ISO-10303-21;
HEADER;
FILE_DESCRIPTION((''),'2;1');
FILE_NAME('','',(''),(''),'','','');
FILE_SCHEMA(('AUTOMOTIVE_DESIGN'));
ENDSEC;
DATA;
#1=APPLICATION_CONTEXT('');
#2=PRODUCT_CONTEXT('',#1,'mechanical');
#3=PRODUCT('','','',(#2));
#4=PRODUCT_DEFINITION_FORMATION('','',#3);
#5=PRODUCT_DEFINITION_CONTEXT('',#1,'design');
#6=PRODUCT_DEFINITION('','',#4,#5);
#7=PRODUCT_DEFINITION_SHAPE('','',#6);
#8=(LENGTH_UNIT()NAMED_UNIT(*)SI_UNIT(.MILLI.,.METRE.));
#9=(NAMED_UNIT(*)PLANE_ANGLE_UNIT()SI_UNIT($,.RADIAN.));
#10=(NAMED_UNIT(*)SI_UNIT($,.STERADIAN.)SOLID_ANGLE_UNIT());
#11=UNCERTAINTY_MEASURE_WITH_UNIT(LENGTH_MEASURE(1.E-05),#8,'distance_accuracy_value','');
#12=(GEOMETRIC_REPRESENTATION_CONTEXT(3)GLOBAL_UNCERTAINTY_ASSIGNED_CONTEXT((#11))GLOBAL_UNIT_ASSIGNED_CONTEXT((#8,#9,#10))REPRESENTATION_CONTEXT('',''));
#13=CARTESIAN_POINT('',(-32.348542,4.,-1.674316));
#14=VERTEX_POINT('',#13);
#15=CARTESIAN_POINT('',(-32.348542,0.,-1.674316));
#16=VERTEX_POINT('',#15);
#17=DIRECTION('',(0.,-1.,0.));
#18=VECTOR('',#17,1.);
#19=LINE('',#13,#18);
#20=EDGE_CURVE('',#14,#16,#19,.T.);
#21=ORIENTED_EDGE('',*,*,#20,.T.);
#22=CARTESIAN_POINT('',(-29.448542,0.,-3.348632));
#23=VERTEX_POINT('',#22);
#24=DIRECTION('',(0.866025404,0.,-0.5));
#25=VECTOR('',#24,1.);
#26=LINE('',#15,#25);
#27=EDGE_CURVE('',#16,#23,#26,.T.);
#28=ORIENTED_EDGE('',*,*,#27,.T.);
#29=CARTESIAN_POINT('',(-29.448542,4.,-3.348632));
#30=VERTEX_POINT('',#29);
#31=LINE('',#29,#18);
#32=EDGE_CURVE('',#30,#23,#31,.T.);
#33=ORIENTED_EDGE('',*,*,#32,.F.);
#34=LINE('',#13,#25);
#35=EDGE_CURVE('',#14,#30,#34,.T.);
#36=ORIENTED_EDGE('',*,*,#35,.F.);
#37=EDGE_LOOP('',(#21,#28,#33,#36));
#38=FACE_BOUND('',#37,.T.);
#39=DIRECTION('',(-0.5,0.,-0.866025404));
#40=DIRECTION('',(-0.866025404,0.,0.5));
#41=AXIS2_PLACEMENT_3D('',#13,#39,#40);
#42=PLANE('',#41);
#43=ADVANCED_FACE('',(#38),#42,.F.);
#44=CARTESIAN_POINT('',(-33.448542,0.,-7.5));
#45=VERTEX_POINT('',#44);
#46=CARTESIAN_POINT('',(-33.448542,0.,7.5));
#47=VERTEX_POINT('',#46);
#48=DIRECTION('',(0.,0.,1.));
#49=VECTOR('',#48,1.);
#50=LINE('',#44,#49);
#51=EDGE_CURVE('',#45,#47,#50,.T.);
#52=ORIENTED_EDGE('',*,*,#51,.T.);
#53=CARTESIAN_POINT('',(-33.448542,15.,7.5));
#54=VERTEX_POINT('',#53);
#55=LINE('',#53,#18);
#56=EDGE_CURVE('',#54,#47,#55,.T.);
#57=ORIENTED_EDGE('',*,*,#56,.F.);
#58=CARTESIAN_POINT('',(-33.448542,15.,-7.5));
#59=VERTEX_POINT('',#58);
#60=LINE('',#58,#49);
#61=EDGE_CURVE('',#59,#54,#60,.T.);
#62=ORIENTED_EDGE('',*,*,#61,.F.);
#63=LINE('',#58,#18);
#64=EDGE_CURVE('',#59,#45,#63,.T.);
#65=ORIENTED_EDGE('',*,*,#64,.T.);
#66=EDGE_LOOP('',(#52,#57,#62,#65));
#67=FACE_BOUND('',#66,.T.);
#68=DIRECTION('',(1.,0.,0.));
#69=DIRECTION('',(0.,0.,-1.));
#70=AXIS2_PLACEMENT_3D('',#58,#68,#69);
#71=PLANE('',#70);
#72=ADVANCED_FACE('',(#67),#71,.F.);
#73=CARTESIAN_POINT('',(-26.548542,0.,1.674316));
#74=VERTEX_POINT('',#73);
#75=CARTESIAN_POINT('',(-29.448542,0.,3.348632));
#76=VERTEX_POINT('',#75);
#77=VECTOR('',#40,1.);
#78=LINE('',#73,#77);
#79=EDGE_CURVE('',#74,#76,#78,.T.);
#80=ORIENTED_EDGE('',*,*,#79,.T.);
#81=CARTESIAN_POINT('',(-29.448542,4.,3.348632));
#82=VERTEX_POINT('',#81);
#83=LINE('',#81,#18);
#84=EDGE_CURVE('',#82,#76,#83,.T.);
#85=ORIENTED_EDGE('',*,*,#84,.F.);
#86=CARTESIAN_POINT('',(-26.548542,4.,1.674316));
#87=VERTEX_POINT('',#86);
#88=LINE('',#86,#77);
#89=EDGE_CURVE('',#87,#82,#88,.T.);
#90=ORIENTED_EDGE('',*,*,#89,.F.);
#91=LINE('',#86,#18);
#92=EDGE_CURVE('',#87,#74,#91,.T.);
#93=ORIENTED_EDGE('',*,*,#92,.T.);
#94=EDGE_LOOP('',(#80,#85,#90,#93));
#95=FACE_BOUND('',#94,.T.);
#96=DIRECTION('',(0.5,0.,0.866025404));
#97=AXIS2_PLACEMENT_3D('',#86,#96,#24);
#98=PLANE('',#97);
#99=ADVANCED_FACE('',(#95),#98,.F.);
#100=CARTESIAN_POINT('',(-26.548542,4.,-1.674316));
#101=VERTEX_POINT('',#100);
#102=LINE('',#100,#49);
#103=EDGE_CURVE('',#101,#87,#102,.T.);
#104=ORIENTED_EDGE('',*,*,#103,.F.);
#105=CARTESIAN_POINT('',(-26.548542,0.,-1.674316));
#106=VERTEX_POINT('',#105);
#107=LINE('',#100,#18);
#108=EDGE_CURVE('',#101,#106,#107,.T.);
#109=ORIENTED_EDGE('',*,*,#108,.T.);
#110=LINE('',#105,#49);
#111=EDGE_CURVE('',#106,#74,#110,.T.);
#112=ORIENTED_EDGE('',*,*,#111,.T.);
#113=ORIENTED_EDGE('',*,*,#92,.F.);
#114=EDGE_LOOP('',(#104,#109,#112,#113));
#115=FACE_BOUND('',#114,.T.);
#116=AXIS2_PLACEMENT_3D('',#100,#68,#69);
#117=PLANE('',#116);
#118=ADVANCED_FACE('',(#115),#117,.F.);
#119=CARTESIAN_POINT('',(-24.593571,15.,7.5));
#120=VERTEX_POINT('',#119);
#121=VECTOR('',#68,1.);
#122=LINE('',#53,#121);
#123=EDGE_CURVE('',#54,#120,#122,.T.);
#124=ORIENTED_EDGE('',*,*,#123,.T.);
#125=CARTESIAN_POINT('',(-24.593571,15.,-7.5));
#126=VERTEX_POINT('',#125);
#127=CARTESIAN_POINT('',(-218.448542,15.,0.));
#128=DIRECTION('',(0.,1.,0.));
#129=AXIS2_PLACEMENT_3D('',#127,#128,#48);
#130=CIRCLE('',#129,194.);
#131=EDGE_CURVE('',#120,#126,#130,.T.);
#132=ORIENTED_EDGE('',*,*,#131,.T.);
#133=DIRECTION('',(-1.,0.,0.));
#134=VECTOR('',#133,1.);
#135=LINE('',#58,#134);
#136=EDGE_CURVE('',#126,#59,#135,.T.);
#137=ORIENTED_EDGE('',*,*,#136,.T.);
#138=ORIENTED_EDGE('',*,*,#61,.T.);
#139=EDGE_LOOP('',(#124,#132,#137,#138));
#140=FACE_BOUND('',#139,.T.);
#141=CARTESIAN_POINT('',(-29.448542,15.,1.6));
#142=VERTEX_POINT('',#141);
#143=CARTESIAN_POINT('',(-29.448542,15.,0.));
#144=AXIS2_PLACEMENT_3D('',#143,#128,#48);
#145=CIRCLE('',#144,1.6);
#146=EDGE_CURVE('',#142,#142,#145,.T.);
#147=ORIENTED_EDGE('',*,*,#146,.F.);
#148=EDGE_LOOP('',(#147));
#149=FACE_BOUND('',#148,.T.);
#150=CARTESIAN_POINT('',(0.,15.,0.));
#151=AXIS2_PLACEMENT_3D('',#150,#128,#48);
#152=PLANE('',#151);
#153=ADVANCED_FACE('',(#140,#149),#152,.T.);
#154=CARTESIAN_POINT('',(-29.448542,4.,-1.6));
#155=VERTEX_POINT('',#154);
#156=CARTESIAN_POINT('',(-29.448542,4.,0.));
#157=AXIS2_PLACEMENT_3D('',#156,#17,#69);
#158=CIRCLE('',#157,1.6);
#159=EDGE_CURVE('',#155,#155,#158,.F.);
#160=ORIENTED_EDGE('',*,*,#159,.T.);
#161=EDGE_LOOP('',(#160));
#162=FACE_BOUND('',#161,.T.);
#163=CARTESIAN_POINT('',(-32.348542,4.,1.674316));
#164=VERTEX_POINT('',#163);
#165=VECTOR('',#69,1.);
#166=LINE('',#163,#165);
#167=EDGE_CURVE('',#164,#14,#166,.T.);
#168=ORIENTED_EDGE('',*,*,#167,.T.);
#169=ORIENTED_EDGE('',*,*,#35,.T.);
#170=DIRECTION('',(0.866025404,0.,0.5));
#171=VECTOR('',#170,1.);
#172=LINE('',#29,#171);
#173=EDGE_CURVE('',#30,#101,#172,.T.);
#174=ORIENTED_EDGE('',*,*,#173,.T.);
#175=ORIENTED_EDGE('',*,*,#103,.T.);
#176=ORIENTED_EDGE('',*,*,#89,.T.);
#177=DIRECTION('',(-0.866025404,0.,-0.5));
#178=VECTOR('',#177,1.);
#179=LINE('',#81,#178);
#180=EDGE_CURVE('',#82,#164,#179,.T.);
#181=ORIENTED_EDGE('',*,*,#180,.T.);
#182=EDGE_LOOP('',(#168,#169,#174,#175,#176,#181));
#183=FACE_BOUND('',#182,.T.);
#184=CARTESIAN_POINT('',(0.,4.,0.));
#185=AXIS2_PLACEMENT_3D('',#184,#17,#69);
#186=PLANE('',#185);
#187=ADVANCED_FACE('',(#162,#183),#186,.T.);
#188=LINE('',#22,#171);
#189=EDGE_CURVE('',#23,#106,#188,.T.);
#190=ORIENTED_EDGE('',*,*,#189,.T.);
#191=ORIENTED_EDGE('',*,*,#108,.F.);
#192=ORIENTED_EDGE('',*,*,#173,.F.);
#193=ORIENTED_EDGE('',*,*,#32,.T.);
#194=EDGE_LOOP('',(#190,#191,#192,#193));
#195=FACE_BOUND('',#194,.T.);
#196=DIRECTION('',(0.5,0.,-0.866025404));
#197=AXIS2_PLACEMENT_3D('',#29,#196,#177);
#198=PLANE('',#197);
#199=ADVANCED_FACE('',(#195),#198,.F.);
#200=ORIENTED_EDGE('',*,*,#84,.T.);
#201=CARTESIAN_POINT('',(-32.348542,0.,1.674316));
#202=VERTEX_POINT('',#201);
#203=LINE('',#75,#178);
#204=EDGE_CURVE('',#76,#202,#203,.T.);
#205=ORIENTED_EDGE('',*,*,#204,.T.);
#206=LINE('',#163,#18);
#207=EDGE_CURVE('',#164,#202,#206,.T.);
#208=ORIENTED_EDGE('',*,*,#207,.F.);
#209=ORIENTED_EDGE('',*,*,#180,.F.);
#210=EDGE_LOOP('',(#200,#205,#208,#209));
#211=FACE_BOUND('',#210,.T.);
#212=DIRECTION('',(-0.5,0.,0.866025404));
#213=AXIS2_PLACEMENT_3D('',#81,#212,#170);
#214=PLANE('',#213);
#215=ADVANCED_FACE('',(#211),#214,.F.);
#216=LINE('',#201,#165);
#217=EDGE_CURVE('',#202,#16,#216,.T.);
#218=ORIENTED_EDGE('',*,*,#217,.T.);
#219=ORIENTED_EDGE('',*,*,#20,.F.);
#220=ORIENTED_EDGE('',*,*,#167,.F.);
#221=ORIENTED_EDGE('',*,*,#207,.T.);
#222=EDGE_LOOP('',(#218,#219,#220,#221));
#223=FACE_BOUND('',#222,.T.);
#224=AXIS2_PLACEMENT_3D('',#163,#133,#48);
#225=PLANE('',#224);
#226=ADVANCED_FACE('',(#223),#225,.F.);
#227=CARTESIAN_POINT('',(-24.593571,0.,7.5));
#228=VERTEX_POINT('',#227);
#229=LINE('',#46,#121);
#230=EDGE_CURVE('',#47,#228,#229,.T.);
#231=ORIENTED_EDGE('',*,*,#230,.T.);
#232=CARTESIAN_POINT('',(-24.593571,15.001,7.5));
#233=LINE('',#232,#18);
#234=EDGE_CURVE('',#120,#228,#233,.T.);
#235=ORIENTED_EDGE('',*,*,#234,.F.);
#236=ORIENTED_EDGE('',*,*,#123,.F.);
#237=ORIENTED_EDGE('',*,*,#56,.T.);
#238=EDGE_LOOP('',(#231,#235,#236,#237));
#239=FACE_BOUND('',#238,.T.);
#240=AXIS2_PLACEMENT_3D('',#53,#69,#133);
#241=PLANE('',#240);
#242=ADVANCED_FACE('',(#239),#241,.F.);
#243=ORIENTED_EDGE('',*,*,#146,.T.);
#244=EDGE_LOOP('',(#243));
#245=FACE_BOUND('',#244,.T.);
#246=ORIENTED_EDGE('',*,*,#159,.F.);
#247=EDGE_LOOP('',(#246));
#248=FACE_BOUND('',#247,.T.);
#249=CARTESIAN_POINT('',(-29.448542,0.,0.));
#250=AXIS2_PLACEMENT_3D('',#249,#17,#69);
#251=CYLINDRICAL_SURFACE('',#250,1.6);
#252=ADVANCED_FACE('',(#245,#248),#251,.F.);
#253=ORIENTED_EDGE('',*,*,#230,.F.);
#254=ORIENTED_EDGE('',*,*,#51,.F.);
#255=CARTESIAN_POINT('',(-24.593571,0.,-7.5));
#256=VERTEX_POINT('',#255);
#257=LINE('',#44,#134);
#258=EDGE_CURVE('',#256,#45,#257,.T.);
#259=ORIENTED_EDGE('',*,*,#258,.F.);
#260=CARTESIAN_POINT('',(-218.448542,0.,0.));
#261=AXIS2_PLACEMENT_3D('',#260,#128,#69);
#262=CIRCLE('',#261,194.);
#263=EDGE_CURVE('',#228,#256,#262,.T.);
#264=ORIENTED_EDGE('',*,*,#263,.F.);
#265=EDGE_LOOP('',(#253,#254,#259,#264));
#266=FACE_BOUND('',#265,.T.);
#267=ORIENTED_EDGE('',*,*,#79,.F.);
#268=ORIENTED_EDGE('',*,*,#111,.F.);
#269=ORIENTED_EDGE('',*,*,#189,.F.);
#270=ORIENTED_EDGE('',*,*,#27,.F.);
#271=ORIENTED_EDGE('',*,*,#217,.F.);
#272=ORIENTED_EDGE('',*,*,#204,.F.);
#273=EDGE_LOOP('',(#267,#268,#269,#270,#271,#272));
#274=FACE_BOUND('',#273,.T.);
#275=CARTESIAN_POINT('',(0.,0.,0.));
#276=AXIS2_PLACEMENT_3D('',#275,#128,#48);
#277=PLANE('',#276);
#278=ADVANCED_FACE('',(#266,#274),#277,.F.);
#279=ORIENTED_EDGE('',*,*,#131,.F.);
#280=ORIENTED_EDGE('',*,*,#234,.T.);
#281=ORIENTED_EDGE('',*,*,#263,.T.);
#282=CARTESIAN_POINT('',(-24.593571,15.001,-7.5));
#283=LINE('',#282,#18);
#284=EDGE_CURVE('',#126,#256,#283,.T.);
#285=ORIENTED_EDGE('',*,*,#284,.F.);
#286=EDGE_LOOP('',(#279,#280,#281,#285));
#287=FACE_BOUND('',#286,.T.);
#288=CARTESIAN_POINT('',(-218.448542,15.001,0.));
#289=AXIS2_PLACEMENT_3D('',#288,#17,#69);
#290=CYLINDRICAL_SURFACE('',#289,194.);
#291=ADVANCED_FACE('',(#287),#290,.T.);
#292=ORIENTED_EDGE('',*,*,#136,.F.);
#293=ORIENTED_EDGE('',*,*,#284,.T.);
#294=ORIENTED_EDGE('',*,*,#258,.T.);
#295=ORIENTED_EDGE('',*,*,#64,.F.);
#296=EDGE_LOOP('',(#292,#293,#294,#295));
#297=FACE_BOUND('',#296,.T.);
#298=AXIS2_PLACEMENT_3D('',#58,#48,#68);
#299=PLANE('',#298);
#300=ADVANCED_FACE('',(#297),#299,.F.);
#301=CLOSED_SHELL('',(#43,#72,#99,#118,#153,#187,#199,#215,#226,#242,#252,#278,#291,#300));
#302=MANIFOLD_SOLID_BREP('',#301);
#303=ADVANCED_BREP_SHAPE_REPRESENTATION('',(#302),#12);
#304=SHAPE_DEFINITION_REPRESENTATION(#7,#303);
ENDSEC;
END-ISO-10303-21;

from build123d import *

# Parameters (mm, degrees)
SKETCH_1_W          = 66.89708457
SKETCH_1_H          = 15
EXTRUDE_1_DEPTH     = 15
CUT_EXTRUDE_1_REACH = 39.417
HOLE_WIZARD_M3_1_D  = 3.2
CUT_EXTRUDE_2_DEPTH = 4


with BuildPart() as part:
    # 草图1 → 凸台-拉伸1 (new body)
    with BuildSketch(Plane(origin=(0, 0, 0), x_dir=(1, 0, 0), z_dir=(0, 1, 0))):
        Rectangle(SKETCH_1_W, SKETCH_1_H)
    extrude(amount=EXTRUDE_1_DEPTH)

    # 草图2 → 切除-拉伸1 (cut, up to next)
    with BuildSketch(Plane.XZ, mode=Mode.PRIVATE) as cut_extrude_1_sk1:
        with BuildLine():
            Line((-24.593570721, 7.5), (33.448542285, 7.5))
            Line((33.448542285, 7.5), (33.448542285, -7.5))
            Line((33.448542285, -7.5), (-24.593570721, -7.5))
            ThreePointArc((-24.593570721, -7.5), (-24.448542285, 0), (-24.593570721, 7.5))
        make_face()
    cut_extrude_1_tool1 = extrude(cut_extrude_1_sk1.sketch, amount=-CUT_EXTRUDE_1_REACH, mode=Mode.PRIVATE) & part.part
    add(cut_extrude_1_tool1.solids().sort_by_distance((4.475816, 0, 0))[0], mode=Mode.SUBTRACT)

    # M3 间隙孔1 (through all)
    with Locations(Plane(origin=(0, 0, 0), x_dir=(-1, 0, 0), z_dir=(0, -1, 0))):
        with Locations((29.448542285, 0)):
            Hole(HOLE_WIZARD_M3_1_D / 2)

    # 草图5 → 切除-拉伸2 (cut)
    with BuildSketch(Plane.XZ):
        Polygon((-29.448542285, -3.348631561), (-26.548542285, -1.674315781), (-26.548542285, 1.674315781), (-29.448542285, 3.348631561), (-32.348542285, 1.674315781), (-32.348542285, -1.674315781), align=None)
    extrude(amount=-CUT_EXTRUDE_2_DEPTH, mode=Mode.SUBTRACT)


solid = part.part
